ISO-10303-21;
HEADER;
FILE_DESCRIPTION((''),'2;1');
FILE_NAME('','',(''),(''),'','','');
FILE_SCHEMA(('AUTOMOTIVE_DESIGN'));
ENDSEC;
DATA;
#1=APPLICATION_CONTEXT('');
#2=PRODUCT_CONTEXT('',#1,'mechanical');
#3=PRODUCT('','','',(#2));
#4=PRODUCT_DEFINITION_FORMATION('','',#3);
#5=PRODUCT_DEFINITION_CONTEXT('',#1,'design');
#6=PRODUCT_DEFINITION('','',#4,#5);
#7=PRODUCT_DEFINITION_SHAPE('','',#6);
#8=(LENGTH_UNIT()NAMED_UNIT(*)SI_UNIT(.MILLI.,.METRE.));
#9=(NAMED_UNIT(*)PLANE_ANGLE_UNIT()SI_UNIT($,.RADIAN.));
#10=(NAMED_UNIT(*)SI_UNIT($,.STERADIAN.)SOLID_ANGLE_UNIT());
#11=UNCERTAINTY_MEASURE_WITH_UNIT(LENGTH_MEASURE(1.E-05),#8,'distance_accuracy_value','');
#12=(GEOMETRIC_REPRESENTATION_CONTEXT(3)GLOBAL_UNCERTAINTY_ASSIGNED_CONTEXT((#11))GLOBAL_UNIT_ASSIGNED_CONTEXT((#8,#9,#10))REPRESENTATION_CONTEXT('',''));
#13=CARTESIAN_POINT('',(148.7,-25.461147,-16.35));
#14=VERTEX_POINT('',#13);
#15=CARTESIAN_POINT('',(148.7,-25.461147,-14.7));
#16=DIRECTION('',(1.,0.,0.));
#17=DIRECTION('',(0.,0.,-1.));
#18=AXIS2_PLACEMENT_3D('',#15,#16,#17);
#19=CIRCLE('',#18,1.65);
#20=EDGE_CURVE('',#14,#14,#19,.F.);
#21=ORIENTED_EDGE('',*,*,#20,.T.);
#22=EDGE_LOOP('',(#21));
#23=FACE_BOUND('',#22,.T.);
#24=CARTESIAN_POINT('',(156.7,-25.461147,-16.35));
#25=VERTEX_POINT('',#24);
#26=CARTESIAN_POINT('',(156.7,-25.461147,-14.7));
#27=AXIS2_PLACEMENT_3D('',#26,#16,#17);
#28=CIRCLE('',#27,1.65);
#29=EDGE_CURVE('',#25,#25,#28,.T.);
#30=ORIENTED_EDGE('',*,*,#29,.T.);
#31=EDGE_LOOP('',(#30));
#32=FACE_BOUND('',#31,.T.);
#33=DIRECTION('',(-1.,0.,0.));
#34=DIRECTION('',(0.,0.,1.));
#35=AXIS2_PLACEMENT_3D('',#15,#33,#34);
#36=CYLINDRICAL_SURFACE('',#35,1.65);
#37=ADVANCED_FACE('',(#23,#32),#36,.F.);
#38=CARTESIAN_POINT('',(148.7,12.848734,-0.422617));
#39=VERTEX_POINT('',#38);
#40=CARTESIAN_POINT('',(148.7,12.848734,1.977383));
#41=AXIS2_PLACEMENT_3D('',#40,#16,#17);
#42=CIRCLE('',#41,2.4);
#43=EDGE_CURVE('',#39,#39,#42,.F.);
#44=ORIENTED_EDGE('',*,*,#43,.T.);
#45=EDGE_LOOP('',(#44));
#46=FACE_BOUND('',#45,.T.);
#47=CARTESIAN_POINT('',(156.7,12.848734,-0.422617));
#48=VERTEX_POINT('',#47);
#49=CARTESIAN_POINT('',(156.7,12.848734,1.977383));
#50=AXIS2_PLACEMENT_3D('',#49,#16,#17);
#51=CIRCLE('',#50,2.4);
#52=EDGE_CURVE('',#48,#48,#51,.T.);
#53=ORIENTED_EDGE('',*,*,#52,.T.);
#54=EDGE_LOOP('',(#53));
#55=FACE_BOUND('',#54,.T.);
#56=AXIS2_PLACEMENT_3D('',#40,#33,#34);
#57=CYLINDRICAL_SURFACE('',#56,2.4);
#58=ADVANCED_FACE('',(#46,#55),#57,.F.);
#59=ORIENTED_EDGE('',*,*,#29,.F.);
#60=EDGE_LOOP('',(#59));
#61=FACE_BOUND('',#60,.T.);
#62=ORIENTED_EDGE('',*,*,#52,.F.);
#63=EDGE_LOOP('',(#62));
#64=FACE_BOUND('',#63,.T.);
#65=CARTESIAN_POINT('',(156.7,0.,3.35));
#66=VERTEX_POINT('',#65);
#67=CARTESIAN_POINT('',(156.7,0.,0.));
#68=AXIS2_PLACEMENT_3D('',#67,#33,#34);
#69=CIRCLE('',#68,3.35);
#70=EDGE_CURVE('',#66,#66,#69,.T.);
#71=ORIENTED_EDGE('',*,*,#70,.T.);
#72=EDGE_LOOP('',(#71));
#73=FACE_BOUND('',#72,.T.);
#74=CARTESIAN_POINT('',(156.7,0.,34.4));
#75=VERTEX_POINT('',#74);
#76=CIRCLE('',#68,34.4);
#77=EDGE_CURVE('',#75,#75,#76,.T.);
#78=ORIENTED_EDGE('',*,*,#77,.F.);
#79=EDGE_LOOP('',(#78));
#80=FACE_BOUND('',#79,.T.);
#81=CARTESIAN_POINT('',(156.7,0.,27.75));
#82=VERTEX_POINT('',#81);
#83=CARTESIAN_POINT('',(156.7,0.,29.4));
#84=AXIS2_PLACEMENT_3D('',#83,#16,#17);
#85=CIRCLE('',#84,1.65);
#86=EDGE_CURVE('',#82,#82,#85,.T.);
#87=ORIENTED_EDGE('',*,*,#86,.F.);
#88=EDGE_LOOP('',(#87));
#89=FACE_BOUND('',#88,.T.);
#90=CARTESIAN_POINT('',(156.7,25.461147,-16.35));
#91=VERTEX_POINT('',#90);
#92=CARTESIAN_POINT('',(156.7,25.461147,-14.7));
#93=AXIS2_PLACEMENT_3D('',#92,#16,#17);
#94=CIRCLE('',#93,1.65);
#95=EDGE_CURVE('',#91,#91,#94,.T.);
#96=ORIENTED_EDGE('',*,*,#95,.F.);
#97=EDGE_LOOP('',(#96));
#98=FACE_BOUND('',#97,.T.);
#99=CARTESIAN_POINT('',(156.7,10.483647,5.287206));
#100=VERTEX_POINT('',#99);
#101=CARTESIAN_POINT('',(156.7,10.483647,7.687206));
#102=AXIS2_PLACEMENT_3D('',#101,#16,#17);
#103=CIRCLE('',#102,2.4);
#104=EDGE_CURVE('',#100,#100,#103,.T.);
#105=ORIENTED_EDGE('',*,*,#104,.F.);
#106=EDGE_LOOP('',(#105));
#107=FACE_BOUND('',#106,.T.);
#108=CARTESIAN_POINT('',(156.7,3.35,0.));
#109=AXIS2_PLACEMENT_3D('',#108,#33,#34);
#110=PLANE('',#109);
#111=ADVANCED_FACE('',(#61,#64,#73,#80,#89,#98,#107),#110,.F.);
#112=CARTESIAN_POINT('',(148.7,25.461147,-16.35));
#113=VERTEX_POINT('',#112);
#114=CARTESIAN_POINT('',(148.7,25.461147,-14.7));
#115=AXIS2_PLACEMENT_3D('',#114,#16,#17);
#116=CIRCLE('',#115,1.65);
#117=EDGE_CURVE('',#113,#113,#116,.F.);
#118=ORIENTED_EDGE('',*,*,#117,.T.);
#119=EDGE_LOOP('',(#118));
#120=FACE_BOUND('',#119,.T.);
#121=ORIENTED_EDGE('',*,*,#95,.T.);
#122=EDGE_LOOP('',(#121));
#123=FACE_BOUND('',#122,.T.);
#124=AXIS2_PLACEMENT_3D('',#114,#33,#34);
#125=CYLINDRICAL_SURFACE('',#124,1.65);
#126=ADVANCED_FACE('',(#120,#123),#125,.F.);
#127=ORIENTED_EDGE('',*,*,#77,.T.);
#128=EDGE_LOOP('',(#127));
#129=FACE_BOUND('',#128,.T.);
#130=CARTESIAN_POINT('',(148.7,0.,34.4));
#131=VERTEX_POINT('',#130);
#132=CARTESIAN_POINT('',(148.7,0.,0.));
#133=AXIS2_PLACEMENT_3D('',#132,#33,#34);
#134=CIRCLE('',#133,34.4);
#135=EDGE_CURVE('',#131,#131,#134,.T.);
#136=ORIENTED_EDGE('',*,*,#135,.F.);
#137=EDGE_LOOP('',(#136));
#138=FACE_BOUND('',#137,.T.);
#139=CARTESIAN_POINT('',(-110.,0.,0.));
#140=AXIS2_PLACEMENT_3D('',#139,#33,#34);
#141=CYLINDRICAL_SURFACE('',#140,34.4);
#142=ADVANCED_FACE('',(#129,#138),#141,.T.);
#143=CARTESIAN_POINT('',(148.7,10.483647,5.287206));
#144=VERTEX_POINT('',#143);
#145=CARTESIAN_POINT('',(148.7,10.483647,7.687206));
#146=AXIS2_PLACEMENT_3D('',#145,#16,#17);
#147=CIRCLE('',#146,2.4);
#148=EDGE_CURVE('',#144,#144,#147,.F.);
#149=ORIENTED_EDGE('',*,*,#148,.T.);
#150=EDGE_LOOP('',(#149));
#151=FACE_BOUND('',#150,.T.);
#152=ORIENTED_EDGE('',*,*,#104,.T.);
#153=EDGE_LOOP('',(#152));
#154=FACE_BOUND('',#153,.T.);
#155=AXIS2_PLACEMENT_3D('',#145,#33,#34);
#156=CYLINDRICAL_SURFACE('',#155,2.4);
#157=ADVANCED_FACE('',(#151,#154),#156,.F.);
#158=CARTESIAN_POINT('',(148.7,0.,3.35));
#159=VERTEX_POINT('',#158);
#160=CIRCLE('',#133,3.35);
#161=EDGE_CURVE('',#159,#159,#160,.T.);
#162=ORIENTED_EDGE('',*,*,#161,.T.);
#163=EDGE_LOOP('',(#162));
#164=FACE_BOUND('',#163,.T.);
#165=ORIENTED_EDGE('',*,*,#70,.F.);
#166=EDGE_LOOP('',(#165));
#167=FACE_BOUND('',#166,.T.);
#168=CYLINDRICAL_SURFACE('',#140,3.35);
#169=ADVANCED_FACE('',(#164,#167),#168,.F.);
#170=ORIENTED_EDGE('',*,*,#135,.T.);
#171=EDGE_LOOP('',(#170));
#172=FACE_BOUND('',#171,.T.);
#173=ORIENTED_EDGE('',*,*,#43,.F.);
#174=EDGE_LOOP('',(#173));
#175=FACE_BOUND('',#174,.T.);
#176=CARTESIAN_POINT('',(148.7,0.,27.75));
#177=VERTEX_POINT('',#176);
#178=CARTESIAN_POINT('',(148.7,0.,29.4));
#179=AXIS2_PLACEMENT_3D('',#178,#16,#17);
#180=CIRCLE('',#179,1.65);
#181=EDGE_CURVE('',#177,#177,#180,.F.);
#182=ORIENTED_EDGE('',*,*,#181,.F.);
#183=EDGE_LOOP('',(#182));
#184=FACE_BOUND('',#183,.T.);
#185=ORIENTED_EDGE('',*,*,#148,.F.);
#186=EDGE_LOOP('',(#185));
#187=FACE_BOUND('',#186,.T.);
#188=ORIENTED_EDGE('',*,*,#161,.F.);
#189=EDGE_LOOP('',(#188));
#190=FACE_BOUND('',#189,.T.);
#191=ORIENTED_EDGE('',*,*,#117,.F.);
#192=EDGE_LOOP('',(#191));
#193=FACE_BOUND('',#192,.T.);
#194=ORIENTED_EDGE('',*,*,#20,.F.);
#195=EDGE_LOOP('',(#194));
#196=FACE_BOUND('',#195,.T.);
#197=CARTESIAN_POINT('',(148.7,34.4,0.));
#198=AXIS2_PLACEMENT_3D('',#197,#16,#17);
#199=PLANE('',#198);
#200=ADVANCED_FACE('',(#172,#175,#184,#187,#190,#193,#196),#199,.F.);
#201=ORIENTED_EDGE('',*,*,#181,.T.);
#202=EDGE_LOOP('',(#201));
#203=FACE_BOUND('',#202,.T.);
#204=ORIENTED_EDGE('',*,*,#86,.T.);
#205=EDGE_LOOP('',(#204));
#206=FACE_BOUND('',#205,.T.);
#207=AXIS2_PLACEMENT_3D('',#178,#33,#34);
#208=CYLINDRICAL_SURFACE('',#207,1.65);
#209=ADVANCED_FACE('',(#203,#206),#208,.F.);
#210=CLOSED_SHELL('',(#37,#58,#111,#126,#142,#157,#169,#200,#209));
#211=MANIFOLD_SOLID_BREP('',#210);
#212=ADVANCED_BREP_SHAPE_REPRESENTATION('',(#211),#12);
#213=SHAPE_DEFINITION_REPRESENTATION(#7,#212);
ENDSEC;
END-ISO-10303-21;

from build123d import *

# Parameters (mm, degrees)
AXIAL_PROFILE_MM_W     = 8
AXIAL_PROFILE_MM_H     = 31.05
AXIAL_HOLES_DEPTH      = 165.078060691
AXIAL_HOLES_DEPTH_BACK = 165.078060691
SKETCH2_R              = 2.4
SKETCH2_R_2            = 1.65


with BuildPart() as part:
    # Axial profile (mm) → Full revolution (revolve)
    with BuildSketch(Plane.XY, mode=Mode.PRIVATE) as full_revolution_sk:
        with Locations((152.7, 18.875)):
            Rectangle(AXIAL_PROFILE_MM_W, AXIAL_PROFILE_MM_H)
    revolve(full_revolution_sk.sketch.rotate(Axis((-110, 0, 0), (1, 0, 0)), 90), axis=Axis((-110, 0, 0), (1, 0, 0)))

    # Sketch2 → Axial holes (cut, two sides: drawn at the far end of the back side and taken through both)
    with BuildSketch(Plane(origin=(0, 0, 0), x_dir=(0, 0, -1), z_dir=(1, 0, 0)).offset(-AXIAL_HOLES_DEPTH_BACK)):
        with Locations((-1.977382665, 12.848733704)):
            Circle(SKETCH2_R)
        with Locations((-7.687206041, 10.483647423)):
            Circle(SKETCH2_R)
        with Locations((-29.4, 0)):
            Circle(SKETCH2_R_2)
        with Locations((14.7, -25.461146871)):
            Circle(SKETCH2_R_2)
        with Locations((14.7, 25.461146871)):
            Circle(SKETCH2_R_2)
    extrude(amount=AXIAL_HOLES_DEPTH + AXIAL_HOLES_DEPTH_BACK, mode=Mode.SUBTRACT)


solid = part.part
